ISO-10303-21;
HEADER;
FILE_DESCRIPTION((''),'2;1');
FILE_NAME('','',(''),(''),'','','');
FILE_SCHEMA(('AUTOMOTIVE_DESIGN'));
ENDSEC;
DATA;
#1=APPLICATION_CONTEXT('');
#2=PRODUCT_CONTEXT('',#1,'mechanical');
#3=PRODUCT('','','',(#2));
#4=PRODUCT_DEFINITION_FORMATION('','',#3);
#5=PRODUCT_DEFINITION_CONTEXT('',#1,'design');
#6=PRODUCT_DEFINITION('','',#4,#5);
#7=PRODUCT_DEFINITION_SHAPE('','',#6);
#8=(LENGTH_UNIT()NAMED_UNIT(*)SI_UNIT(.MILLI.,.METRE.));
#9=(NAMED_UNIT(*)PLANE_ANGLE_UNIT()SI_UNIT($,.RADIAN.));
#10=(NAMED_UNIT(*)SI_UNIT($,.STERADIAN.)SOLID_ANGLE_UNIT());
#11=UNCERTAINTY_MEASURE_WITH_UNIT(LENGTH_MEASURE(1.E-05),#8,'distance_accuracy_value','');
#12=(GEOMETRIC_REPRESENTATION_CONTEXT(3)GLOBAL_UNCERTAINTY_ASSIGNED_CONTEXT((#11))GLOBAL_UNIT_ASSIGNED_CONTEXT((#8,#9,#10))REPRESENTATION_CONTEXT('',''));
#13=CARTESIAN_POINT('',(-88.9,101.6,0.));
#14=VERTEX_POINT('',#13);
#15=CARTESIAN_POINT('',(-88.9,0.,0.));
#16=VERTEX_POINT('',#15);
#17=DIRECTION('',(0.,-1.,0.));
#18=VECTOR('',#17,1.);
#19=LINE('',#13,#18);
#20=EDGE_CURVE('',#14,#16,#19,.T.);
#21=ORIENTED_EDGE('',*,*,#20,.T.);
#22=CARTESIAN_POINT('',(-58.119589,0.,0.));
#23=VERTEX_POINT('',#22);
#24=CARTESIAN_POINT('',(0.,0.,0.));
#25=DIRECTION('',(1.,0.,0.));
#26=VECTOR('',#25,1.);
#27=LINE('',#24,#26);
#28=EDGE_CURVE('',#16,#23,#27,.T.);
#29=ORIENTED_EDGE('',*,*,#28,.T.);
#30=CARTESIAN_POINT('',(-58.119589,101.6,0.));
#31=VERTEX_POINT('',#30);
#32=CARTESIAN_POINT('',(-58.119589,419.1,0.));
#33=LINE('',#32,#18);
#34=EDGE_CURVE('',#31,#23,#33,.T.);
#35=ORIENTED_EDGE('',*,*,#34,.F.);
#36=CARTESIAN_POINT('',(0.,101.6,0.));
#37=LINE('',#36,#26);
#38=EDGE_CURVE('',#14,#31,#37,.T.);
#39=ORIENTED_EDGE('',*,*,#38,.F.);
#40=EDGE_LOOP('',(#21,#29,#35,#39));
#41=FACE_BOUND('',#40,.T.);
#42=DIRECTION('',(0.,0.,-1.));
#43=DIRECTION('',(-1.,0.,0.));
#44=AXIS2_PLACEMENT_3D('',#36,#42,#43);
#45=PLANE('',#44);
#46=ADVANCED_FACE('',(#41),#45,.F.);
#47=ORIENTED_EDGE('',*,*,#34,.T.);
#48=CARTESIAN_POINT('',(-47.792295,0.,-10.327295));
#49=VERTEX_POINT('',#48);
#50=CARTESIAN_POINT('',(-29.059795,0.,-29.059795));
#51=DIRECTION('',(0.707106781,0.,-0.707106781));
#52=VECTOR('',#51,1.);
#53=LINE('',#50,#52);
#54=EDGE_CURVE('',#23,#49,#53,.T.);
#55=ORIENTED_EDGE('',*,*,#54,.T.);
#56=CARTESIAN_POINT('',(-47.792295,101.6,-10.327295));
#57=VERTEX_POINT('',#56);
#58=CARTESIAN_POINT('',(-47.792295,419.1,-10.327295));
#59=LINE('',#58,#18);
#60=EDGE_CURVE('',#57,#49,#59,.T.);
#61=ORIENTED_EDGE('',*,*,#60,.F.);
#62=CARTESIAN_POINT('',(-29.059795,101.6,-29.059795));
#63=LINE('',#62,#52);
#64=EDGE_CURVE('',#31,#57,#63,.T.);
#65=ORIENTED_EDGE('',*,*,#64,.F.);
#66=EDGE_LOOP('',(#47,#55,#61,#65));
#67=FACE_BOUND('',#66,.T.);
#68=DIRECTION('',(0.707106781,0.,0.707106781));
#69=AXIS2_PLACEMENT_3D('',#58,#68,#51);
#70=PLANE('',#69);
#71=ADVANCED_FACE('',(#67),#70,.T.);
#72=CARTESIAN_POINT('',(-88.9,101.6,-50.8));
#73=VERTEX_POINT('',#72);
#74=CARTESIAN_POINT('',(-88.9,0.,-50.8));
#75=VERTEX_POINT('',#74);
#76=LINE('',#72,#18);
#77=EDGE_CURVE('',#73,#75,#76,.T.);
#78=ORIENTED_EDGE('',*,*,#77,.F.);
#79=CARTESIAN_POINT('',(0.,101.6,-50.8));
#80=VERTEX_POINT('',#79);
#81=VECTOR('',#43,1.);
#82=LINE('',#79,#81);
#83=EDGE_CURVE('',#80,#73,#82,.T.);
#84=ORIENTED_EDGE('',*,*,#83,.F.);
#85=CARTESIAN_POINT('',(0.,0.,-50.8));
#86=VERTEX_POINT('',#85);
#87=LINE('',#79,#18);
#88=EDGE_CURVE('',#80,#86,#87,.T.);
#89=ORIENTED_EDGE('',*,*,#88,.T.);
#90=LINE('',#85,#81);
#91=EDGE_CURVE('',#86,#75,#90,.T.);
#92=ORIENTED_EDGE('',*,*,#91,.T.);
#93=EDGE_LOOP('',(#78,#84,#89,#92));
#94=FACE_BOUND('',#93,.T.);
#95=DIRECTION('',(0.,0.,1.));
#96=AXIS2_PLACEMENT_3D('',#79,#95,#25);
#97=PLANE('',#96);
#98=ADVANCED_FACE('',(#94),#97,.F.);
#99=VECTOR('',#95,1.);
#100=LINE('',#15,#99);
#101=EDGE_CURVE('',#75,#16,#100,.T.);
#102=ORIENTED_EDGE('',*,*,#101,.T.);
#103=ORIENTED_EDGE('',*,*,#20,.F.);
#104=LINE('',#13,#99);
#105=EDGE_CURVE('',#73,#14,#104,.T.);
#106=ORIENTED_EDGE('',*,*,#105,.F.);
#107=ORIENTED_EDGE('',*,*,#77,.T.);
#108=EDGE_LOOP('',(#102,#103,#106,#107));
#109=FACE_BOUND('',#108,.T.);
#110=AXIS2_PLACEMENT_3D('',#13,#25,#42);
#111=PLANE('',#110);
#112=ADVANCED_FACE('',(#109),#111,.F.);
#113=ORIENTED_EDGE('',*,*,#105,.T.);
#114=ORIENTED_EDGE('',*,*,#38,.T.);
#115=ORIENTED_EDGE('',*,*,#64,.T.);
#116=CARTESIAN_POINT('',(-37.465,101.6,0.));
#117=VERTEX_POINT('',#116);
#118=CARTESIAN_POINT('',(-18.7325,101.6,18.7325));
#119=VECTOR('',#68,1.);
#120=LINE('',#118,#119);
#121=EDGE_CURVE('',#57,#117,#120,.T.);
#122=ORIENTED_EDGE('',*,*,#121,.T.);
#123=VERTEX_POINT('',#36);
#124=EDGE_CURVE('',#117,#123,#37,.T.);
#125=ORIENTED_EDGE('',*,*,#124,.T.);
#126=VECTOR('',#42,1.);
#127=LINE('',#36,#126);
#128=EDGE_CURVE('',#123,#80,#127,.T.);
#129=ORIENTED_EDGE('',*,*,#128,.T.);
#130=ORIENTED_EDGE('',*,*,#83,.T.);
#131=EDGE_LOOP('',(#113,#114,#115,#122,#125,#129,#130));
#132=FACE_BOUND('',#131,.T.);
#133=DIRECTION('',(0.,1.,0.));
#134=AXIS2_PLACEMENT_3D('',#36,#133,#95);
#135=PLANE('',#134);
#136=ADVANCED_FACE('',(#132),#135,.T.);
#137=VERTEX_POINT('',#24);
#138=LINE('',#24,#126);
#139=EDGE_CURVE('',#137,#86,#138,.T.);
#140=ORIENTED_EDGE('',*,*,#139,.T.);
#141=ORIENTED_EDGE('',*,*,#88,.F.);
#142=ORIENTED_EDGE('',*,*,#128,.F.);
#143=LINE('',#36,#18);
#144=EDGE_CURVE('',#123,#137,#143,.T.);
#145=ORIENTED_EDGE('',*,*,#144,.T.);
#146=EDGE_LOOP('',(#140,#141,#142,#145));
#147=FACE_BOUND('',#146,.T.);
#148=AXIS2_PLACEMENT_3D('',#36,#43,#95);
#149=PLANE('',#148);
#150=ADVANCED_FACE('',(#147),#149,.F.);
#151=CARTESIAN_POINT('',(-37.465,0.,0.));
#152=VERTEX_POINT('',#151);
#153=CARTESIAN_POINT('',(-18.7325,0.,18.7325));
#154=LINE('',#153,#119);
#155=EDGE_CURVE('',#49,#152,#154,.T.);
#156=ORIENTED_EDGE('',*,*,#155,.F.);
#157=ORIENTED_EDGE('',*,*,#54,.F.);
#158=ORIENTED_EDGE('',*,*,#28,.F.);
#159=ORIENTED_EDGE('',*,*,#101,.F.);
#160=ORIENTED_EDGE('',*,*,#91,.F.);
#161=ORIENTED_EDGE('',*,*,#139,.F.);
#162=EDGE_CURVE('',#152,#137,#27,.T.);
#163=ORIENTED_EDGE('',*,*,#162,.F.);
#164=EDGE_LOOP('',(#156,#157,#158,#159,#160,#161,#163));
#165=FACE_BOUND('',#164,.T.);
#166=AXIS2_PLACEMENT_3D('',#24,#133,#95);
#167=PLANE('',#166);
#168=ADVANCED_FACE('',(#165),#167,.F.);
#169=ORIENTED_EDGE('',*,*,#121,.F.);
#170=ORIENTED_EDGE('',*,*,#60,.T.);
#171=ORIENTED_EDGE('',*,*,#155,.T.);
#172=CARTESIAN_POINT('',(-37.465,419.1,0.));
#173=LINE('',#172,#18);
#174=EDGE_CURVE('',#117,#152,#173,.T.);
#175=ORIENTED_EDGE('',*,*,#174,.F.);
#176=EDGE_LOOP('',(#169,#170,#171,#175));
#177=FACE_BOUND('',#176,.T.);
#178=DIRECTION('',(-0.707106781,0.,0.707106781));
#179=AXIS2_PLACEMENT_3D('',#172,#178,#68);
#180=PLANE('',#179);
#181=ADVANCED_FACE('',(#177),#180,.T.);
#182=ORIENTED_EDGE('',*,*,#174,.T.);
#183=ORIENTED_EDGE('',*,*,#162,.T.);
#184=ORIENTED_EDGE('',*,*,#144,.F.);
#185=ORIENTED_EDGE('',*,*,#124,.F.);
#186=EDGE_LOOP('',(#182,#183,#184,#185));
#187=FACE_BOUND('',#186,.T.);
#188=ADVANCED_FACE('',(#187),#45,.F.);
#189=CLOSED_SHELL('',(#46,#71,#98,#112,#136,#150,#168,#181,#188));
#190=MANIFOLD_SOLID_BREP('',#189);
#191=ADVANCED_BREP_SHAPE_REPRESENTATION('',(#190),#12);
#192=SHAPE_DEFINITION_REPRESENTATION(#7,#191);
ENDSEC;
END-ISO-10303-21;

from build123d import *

# Parameters (mm, degrees)
SKETCH1_W               = 101.6
SKETCH1_H               = 50.8
BOSS_EXTRUDE1_DEPTH     = 101.6
CUT_EXTRUDE1_DEPTH      = 153.4
CUT_EXTRUDE1_DEPTH_BACK = 153.4
CUT_EXTRUDE2_DEPTH      = 153.4
CUT_EXTRUDE2_DEPTH_BACK = 153.4
SKETCH3_W               = 12.7
SKETCH3_H               = 50.8


with BuildPart() as part:
    # Sketch1 → Boss-Extrude1 (new body)
    with BuildSketch(Plane(origin=(0, 0, 0), x_dir=(1, 0, 0), z_dir=(0, 1, 0))):
        with Locations((-50.8, 25.4)):
            Rectangle(SKETCH1_W, SKETCH1_H)
    extrude(amount=BOSS_EXTRUDE1_DEPTH)

    # Sketch2 → Cut-Extrude1 (cut, two sides: drawn at the far end of the back side and taken through both)
    with BuildSketch(Plane(origin=(0, 101.6, 0), x_dir=(1, 0, 0), z_dir=(0, 1, 0)).offset(-CUT_EXTRUDE1_DEPTH_BACK)):
        Polygon((85.31205923, -122.77705923), (-37.465, 0), (-47.792294539, 10.327294539), (-58.119589078, 0), (-180.896648308, -122.77705923), (-180.896648308, -470.043023852), (85.31205923, -470.043023852), align=None)
    extrude(amount=CUT_EXTRUDE1_DEPTH + CUT_EXTRUDE1_DEPTH_BACK, mode=Mode.SUBTRACT)

    # Sketch3 → Cut-Extrude2 (cut, two sides: drawn at the far end of the back side and taken through both)
    with BuildSketch(Plane.XZ.offset(-CUT_EXTRUDE2_DEPTH_BACK)):
        with Locations((-95.25, -25.4)):
            Rectangle(SKETCH3_W, SKETCH3_H)
    extrude(amount=CUT_EXTRUDE2_DEPTH + CUT_EXTRUDE2_DEPTH_BACK, mode=Mode.SUBTRACT)


solid = part.part
